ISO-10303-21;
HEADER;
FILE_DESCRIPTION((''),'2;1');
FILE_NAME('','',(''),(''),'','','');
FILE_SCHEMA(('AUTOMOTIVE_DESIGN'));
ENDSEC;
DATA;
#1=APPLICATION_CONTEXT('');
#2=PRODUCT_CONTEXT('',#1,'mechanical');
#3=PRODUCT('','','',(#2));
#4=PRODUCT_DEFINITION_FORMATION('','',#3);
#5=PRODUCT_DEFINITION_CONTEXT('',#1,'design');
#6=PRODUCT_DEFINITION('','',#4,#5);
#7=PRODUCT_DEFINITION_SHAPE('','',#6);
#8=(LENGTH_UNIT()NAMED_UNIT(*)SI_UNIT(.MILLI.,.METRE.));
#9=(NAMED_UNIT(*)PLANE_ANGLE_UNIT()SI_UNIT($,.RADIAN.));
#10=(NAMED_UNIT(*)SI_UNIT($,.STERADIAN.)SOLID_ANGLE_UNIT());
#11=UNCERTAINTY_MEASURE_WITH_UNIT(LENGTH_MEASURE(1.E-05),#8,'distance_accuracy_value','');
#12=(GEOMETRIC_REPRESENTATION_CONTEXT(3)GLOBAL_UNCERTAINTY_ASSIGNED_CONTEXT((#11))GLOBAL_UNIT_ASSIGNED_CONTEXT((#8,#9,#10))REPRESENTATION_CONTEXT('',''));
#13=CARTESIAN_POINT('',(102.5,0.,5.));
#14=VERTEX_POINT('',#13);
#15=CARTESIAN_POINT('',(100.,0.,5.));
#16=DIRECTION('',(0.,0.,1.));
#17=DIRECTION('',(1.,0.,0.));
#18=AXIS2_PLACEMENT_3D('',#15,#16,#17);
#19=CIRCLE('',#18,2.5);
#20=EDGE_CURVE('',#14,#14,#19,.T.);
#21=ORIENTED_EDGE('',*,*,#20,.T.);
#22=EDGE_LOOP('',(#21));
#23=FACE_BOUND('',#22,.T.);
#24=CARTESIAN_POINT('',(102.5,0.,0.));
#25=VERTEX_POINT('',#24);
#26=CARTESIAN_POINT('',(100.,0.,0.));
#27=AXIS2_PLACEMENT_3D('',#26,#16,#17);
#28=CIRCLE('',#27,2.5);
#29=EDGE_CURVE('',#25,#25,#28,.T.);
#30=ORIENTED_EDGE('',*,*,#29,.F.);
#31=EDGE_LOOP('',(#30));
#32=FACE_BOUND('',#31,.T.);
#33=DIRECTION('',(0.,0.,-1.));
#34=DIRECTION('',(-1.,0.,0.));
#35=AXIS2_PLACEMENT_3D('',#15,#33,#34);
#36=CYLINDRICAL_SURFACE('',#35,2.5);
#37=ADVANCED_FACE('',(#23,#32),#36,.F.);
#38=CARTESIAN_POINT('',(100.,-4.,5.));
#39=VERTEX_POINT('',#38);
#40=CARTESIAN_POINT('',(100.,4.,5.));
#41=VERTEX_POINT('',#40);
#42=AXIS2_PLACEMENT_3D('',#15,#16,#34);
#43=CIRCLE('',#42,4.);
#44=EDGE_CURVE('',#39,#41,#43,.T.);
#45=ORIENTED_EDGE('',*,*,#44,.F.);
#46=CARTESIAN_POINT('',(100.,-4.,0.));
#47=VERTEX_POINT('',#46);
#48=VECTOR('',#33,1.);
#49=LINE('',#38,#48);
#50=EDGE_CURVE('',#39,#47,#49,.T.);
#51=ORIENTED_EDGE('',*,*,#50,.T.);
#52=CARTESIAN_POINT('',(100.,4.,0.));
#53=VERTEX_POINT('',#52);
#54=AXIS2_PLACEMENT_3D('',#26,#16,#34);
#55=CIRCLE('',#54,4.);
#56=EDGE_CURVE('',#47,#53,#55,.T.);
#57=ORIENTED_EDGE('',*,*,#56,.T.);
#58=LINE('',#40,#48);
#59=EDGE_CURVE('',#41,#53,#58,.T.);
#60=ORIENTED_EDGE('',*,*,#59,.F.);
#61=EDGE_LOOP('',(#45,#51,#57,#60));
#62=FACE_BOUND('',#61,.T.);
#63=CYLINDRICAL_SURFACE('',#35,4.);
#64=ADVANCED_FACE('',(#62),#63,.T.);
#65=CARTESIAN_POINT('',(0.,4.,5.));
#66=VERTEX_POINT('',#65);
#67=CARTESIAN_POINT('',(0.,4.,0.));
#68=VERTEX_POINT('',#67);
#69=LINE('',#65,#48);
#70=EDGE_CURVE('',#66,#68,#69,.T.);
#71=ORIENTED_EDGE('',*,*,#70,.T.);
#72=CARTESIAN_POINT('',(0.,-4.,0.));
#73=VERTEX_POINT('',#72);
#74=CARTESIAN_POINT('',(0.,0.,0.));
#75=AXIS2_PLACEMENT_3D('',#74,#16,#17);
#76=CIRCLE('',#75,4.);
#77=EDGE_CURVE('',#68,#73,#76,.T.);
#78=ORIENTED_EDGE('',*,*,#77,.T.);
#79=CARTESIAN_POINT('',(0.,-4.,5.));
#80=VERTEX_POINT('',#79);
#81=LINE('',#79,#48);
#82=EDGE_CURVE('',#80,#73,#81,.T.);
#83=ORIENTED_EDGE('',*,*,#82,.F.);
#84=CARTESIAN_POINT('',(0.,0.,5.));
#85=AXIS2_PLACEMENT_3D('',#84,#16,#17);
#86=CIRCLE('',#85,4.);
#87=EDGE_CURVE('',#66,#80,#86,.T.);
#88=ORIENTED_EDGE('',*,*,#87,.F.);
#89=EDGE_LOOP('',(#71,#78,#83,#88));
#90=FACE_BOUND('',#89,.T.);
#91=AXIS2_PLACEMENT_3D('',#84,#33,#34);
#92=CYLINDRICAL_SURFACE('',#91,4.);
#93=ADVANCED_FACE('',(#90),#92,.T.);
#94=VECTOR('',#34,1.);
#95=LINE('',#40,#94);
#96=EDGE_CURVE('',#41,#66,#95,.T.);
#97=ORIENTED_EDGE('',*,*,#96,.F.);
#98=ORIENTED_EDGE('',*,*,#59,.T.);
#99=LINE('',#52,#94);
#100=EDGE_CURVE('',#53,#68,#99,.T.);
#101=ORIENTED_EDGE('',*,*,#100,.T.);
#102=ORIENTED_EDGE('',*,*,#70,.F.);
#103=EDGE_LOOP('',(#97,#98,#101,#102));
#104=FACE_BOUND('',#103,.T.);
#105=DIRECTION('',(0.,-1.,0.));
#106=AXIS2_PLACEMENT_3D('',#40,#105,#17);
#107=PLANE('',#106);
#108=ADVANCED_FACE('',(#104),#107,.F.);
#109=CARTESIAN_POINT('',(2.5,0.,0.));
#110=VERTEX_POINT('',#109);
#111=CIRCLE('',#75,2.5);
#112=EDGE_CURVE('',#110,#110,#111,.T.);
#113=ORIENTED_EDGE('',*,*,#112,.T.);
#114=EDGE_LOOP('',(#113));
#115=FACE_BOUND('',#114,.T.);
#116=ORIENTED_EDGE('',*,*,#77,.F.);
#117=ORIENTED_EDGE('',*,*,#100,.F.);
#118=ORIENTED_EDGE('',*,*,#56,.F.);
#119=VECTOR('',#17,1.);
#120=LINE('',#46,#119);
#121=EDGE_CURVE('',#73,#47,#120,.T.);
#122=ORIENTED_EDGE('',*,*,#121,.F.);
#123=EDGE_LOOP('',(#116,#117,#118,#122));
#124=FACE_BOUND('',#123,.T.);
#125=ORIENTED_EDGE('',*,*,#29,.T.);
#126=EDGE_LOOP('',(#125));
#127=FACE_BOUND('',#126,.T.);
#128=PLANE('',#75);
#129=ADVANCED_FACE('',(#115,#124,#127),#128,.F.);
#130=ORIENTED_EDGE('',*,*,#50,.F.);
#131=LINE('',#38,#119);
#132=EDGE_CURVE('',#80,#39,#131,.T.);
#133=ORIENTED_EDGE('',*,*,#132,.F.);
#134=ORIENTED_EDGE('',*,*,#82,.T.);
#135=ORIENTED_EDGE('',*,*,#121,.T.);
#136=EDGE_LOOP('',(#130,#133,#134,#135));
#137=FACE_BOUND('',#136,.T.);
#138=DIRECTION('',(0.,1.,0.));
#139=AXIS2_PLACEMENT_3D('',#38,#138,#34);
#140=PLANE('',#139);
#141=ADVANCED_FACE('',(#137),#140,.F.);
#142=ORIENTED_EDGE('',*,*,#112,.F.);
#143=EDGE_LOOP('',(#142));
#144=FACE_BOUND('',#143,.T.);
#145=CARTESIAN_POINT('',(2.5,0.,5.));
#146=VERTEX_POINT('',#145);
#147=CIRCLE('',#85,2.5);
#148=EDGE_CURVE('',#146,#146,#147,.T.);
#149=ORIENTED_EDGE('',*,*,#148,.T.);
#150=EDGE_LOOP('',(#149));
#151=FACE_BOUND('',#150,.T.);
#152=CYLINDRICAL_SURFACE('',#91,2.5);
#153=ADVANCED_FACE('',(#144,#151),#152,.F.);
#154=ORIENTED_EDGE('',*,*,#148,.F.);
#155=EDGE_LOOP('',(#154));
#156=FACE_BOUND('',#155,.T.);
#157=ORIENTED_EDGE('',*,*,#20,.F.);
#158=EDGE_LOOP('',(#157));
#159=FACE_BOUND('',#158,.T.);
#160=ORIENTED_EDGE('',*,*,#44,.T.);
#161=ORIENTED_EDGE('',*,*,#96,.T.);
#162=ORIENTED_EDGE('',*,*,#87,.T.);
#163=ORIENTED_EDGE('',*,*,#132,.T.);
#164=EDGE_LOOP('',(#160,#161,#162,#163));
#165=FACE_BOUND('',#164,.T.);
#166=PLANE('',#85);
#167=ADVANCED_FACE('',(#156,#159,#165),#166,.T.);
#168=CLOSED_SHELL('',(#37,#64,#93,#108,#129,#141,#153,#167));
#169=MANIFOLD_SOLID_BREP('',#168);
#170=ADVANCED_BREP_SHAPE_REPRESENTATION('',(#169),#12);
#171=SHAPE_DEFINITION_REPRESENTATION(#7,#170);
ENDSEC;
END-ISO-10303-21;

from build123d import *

# Parameters (mm, degrees)
SKETCH_1_R      = 2.5
EXTRUDE_1_DEPTH = 5


with BuildPart() as part:
    # 草图1 → 凸台-拉伸1 (new body)
    with BuildSketch(Plane.XY):
        with BuildLine():
            Line((100, -4), (0, -4))
            ThreePointArc((0, -4), (-4, 0), (0, 4))
            Line((0, 4), (100, 4))
            ThreePointArc((100, 4), (104, 0), (100, -4))
        make_face()
        Circle(SKETCH_1_R, mode=Mode.SUBTRACT)
        with Locations((100, 0)):
            Circle(SKETCH_1_R, mode=Mode.SUBTRACT)
    extrude(amount=EXTRUDE_1_DEPTH)


solid = part.part
